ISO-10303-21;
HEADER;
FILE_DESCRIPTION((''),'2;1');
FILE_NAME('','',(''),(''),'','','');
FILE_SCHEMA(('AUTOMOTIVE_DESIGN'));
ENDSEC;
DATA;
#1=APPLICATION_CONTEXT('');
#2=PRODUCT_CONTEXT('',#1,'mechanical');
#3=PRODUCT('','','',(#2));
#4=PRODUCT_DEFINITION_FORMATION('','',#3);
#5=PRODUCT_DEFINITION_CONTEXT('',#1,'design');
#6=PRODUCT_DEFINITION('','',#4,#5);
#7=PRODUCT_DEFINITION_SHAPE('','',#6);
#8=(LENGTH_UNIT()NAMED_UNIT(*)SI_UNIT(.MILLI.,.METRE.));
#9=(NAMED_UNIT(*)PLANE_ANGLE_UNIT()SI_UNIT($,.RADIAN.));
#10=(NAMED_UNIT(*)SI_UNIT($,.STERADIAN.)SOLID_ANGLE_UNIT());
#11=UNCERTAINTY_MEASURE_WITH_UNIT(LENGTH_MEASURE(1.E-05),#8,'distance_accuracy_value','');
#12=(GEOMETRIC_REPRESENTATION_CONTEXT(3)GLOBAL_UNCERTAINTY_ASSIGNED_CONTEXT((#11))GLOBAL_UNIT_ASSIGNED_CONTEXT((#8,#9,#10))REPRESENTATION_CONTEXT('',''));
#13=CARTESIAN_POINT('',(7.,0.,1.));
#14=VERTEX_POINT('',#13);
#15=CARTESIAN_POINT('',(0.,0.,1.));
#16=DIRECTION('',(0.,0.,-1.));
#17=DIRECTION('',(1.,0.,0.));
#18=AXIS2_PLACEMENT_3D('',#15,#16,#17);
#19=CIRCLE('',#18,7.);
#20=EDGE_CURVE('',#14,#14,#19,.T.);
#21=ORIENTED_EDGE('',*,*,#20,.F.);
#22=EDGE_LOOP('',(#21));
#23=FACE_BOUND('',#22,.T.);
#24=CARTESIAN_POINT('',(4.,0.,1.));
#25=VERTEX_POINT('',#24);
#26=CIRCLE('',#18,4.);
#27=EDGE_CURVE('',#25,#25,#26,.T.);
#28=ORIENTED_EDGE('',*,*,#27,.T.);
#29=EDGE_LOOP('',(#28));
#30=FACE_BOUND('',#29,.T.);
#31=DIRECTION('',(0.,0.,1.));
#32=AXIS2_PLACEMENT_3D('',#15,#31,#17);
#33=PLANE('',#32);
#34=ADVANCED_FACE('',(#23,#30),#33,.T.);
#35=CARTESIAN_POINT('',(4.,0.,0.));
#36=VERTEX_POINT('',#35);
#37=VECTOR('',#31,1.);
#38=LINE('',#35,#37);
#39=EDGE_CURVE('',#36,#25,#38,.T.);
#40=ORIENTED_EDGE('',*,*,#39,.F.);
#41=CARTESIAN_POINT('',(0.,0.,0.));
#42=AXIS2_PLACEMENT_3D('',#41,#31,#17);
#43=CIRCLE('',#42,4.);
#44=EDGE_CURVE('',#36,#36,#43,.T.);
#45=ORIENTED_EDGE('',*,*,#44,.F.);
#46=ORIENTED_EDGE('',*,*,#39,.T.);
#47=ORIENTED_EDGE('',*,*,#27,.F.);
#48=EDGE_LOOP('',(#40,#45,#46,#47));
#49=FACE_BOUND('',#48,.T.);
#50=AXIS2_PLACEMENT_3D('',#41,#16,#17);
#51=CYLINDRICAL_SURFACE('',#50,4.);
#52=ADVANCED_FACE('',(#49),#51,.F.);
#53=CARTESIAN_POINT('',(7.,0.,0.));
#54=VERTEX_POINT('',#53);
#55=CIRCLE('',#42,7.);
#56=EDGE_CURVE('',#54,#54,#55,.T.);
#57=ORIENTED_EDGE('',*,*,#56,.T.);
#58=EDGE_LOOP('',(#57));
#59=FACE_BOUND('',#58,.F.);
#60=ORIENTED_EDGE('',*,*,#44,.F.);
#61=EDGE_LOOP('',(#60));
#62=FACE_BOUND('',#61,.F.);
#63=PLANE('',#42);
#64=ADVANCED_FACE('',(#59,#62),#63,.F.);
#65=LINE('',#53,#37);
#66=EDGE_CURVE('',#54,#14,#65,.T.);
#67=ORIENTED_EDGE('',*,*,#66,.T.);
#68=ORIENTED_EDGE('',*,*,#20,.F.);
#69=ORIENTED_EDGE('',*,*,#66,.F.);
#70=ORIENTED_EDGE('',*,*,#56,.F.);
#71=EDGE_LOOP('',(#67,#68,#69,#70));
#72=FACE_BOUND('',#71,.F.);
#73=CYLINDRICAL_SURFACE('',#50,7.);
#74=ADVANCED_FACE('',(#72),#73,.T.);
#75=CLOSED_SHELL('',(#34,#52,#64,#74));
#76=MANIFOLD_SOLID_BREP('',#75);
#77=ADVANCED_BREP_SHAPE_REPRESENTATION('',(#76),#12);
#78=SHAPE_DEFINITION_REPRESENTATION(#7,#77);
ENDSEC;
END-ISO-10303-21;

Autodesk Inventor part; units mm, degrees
ref_plane "YZ Plane" through (0, 0, 0) normal (1, 0, 0) x (0, 1, 0)
ref_plane "XZ Plane" through (0, 0, 0) normal (0, 1, 0) x (-1, 0, 0)
ref_plane "XY Plane" through (0, 0, 0) normal (0, 0, 1) x (1, 0, 0)
sketch "Szkic1" plane through (0, 0, 0) normal (0, 0, 1) x (1, 0, 0)
  circle A0 centre (0, 0) radius 4
  circle A1 centre (0, 0) radius 7
  line L0 (-21, 0) -> (21, 0) projected
  line L1 (0, 21) -> (0, -21) projected
  dimension "d0" = 8
  dimension "d1" = 14
extrude "Bryła" add sketch "Szkic1" along normal blind 1 contours L0 A1 L1 A0 | A0 L1 A1 L0 | A0 L0 A1 L1 | L1 A1 L0 A0
equation "\"d0\" = SD1"
equation "\"d1\" = SD2"
equation "\"d2\" = SD"
equation "\"SD2\" = 14"
equation "\"SD\" = 1"
equation "\"SD1\" = 8"
equation "\"NND\" = 8"
equation "\"SR\" = 0.5 * NND2"
equation "\"NND2\" = 14"
properties part number "DIN 988 - 8 x 14 x 1" material "Stal, miękka"
